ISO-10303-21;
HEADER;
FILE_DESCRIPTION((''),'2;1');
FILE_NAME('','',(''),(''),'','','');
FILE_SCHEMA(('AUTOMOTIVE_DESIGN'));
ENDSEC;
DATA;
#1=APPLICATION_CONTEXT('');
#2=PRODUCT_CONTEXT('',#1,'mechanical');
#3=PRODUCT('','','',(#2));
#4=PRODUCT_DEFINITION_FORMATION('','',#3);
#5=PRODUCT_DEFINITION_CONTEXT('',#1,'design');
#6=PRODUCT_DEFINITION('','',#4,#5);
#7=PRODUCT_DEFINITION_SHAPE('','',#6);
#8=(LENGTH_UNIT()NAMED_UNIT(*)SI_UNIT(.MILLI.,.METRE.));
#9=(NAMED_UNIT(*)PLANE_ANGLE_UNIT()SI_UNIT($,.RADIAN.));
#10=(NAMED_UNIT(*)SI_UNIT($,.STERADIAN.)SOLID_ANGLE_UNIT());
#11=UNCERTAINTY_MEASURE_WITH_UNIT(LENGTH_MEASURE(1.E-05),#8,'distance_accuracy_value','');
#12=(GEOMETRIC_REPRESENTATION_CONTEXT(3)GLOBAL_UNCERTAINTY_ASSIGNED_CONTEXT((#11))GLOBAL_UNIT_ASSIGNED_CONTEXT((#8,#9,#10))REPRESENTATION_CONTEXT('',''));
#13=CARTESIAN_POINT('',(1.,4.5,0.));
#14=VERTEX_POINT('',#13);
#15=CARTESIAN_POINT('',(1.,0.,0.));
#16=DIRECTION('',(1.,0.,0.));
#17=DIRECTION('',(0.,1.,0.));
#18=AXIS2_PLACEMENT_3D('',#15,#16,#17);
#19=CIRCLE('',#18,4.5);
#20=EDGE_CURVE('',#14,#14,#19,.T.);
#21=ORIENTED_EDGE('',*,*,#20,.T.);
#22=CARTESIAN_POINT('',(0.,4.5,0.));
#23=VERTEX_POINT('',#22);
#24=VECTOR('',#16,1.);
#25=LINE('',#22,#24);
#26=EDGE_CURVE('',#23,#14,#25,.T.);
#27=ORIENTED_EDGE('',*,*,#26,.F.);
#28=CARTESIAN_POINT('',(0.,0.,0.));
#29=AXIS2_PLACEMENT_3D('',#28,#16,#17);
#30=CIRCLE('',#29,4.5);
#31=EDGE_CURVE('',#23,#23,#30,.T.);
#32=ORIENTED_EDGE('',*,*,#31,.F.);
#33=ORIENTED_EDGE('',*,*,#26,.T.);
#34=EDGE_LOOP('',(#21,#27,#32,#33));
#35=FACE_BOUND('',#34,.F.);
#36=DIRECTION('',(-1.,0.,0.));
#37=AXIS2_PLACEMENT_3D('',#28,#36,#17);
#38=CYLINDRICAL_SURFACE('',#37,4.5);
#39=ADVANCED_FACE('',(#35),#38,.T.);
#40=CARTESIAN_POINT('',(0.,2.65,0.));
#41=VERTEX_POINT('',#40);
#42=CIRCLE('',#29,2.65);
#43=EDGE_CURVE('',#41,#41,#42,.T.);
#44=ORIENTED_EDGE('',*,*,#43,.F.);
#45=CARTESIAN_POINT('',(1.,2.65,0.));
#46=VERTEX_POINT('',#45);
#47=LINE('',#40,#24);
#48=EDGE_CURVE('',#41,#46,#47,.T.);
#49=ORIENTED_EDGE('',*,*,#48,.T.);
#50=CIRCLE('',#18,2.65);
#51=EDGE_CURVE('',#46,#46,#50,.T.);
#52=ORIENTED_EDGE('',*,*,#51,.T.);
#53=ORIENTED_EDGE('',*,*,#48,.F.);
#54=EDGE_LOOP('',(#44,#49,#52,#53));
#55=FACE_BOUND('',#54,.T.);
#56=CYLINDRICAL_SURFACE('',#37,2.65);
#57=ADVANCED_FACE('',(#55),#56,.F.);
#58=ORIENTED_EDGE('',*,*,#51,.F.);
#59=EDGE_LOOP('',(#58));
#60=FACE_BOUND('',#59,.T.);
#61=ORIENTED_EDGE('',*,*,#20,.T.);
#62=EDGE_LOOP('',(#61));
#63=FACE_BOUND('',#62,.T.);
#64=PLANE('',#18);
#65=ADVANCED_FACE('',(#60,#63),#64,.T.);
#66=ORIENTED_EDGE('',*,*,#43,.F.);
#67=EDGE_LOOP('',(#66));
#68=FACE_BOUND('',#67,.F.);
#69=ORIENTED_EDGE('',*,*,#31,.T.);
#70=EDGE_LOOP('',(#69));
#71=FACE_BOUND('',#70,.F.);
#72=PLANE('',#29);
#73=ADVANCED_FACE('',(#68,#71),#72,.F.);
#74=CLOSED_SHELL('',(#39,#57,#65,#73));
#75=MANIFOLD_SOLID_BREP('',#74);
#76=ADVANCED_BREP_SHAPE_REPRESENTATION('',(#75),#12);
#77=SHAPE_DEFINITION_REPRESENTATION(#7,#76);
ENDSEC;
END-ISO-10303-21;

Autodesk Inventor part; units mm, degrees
ref_plane "YZ Plane" through (0, 0, 0) normal (1, 0, 0) x (0, 1, 0)
ref_plane "XZ Plane" through (0, 0, 0) normal (0, 1, 0) x (-1, 0, 0)
sketch "Sketch" plane through (0, 0, 0) normal (1, 0, 0) x (0, 1, 0)
  circle A0 centre (0, 0) radius 4.5
  circle A1 centre (0, 0) radius 2.65
  dimension "d0" = 5.3
  dimension "d1" = 9
extrude "Body" add sketch "Sketch" along normal blind 1
ref_plane "Work Plane1" through (0, 0, 0) normal (0, 0, 1) x (1, 0, 0)
equation "\"d0\" = SD1"
equation "\"d1\" = SD2"
equation "\"d2\" = SD"
equation "\"SD1\" = 5.3"
equation "\"SD2\" = 9"
equation "\"SD\" = 1"
equation "\"NND\" = 5"
properties part number "ISO 7092 - 5" material "Steel, Mild"
